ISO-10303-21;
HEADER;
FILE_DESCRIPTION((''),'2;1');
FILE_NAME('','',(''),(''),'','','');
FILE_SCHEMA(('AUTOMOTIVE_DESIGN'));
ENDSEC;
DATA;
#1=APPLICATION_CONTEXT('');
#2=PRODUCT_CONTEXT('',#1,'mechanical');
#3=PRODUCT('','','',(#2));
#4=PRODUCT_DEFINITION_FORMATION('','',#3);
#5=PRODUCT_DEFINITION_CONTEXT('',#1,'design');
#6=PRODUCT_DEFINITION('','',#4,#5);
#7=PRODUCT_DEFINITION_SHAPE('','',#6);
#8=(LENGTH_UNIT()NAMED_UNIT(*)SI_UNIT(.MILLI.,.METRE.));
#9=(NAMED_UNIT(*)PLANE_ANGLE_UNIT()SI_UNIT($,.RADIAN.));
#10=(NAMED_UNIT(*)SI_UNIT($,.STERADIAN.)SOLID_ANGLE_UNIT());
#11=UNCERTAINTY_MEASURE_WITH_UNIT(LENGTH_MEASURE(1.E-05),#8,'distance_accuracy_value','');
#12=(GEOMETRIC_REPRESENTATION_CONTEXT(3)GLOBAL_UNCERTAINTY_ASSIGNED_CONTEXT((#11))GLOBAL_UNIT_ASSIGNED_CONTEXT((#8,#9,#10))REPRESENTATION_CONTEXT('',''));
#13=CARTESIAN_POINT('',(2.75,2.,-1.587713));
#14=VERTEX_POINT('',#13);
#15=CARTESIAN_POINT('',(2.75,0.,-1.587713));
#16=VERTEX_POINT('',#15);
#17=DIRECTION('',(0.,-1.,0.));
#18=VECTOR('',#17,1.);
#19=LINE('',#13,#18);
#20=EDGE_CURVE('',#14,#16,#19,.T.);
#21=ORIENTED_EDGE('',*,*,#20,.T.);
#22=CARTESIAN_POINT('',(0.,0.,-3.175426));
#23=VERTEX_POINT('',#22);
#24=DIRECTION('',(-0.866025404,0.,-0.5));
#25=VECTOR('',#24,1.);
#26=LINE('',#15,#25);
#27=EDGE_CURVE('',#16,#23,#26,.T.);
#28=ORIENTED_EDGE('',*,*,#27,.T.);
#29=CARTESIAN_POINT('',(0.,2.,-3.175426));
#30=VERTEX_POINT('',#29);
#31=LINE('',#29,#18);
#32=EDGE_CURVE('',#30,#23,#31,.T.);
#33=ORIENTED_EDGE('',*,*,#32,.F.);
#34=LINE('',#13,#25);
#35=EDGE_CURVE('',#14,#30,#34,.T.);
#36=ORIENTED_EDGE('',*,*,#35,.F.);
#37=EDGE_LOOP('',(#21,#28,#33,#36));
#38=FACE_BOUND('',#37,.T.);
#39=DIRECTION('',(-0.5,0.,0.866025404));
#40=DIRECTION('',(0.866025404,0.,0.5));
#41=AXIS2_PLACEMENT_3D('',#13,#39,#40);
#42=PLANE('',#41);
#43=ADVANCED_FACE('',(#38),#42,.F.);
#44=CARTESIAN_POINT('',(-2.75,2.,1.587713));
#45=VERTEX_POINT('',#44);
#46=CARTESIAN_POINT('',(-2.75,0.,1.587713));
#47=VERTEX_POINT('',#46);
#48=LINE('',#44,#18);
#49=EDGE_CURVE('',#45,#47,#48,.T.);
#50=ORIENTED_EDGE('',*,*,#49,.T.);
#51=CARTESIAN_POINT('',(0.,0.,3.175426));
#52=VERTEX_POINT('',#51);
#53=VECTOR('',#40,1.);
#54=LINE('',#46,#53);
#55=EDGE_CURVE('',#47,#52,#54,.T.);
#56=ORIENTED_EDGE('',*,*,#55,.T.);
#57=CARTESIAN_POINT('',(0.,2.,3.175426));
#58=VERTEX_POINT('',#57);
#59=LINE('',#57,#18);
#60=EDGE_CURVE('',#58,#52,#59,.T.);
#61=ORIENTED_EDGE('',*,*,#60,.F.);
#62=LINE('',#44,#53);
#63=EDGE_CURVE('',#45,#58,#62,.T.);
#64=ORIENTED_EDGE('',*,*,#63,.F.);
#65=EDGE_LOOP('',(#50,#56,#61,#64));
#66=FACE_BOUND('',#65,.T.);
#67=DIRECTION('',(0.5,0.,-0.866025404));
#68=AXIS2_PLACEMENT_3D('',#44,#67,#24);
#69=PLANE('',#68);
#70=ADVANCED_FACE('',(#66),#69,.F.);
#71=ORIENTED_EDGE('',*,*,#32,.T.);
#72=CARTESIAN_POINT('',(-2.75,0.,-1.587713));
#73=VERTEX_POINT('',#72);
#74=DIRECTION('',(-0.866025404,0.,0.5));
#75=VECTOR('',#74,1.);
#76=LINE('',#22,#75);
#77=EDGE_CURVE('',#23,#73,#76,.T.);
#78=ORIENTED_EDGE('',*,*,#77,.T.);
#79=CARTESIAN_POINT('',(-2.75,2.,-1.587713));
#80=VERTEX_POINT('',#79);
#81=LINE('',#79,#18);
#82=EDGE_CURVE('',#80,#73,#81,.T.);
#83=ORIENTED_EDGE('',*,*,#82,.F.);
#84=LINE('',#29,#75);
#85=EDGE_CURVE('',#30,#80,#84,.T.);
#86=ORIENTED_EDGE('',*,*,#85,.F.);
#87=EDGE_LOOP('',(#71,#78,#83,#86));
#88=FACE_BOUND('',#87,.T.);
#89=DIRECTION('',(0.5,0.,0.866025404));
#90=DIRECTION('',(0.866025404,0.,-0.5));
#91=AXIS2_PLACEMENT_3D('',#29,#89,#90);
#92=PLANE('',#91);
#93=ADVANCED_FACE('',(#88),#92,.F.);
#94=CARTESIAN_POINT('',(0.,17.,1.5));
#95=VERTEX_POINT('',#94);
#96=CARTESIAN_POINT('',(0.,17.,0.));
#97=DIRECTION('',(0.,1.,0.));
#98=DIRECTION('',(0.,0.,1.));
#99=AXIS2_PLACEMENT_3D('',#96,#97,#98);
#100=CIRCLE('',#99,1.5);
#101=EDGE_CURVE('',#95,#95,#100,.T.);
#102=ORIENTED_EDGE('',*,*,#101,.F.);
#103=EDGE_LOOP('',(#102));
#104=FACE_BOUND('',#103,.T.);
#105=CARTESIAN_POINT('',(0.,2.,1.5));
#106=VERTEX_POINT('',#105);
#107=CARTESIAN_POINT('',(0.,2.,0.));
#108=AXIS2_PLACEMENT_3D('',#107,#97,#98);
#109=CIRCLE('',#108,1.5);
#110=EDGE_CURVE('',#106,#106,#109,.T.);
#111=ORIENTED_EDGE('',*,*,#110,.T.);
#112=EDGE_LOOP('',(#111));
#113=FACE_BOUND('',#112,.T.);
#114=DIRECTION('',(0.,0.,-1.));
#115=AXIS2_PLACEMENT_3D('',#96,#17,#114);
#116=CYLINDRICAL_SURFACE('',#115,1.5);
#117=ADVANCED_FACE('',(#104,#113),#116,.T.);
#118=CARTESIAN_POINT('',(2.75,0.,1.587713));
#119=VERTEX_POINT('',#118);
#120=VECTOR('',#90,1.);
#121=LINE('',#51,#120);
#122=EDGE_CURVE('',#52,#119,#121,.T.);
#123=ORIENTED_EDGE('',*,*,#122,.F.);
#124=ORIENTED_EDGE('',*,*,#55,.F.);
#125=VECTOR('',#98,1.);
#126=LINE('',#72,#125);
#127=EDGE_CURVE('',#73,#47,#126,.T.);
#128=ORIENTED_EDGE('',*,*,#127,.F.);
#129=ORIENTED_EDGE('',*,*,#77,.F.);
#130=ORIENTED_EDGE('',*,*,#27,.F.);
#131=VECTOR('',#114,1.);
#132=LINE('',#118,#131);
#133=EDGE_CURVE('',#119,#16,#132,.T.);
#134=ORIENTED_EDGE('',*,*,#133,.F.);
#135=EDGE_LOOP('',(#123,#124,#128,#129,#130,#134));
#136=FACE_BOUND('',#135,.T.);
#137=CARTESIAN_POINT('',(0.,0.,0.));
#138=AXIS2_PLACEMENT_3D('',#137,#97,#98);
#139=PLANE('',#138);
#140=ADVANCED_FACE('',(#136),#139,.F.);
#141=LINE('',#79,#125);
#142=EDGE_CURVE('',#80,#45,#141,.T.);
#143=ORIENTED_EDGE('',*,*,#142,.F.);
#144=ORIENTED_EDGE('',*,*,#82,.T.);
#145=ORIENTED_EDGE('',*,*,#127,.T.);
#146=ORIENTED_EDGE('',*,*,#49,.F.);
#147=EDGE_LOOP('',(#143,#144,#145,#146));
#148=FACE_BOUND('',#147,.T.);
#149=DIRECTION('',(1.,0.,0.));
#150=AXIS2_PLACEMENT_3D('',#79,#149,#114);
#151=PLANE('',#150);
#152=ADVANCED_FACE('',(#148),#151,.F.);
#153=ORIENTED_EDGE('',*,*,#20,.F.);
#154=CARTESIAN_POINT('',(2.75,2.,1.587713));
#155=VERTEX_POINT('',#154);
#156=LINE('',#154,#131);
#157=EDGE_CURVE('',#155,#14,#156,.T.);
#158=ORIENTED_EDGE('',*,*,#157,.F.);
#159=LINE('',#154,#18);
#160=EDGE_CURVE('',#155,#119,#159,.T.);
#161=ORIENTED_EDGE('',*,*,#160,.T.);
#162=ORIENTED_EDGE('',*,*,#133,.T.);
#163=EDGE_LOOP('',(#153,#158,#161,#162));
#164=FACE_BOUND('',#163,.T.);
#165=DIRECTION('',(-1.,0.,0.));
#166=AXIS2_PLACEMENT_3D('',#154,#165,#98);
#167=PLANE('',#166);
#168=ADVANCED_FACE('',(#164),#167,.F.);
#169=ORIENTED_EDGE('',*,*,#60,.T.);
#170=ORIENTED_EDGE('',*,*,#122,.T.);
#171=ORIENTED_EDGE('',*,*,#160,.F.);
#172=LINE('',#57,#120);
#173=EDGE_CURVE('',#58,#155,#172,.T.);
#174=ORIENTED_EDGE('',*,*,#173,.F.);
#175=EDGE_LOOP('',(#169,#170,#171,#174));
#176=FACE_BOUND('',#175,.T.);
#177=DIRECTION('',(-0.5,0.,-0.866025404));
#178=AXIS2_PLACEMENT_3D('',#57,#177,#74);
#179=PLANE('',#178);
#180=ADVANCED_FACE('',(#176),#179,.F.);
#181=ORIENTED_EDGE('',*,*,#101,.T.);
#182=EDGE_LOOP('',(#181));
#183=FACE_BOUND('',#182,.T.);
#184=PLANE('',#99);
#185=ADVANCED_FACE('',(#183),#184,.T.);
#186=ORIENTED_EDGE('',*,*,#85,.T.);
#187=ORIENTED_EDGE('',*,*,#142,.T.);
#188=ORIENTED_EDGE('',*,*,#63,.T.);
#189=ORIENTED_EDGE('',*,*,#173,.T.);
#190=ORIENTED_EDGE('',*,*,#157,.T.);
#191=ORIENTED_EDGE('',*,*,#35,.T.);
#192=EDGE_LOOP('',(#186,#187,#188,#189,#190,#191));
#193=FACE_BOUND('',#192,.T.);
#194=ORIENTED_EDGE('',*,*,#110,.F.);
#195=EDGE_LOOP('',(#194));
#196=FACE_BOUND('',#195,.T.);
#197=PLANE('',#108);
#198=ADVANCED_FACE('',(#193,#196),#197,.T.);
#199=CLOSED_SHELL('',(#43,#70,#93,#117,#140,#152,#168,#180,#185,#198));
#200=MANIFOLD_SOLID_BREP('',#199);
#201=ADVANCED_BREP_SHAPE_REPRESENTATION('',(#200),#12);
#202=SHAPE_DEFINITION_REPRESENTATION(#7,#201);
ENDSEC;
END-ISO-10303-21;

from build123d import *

# Parameters (mm, degrees)
EXTRUDE_1_DEPTH = 2
SKETCH_2_R      = 1.5
EXTRUDE_2_DEPTH = 15


with BuildPart() as part:
    # Эскиз1 → Бобышка-Вытянуть1 (new body)
    with BuildSketch(Plane(origin=(0, 0, 0), x_dir=(1, 0, 0), z_dir=(0, 1, 0))):
        Polygon((0, 3.175426481), (-2.75, 1.58771324), (-2.75, -1.58771324), (0, -3.175426481), (2.75, -1.58771324), (2.75, 1.58771324), align=None)
    extrude(amount=EXTRUDE_1_DEPTH)

    # Эскиз2 → Бобышка-Вытянуть2 (add)
    with BuildSketch(Plane(origin=(0, 2, 0), x_dir=(1, 0, 0), z_dir=(0, 1, 0))):
        Circle(SKETCH_2_R)
    extrude(amount=EXTRUDE_2_DEPTH)


solid = part.part
